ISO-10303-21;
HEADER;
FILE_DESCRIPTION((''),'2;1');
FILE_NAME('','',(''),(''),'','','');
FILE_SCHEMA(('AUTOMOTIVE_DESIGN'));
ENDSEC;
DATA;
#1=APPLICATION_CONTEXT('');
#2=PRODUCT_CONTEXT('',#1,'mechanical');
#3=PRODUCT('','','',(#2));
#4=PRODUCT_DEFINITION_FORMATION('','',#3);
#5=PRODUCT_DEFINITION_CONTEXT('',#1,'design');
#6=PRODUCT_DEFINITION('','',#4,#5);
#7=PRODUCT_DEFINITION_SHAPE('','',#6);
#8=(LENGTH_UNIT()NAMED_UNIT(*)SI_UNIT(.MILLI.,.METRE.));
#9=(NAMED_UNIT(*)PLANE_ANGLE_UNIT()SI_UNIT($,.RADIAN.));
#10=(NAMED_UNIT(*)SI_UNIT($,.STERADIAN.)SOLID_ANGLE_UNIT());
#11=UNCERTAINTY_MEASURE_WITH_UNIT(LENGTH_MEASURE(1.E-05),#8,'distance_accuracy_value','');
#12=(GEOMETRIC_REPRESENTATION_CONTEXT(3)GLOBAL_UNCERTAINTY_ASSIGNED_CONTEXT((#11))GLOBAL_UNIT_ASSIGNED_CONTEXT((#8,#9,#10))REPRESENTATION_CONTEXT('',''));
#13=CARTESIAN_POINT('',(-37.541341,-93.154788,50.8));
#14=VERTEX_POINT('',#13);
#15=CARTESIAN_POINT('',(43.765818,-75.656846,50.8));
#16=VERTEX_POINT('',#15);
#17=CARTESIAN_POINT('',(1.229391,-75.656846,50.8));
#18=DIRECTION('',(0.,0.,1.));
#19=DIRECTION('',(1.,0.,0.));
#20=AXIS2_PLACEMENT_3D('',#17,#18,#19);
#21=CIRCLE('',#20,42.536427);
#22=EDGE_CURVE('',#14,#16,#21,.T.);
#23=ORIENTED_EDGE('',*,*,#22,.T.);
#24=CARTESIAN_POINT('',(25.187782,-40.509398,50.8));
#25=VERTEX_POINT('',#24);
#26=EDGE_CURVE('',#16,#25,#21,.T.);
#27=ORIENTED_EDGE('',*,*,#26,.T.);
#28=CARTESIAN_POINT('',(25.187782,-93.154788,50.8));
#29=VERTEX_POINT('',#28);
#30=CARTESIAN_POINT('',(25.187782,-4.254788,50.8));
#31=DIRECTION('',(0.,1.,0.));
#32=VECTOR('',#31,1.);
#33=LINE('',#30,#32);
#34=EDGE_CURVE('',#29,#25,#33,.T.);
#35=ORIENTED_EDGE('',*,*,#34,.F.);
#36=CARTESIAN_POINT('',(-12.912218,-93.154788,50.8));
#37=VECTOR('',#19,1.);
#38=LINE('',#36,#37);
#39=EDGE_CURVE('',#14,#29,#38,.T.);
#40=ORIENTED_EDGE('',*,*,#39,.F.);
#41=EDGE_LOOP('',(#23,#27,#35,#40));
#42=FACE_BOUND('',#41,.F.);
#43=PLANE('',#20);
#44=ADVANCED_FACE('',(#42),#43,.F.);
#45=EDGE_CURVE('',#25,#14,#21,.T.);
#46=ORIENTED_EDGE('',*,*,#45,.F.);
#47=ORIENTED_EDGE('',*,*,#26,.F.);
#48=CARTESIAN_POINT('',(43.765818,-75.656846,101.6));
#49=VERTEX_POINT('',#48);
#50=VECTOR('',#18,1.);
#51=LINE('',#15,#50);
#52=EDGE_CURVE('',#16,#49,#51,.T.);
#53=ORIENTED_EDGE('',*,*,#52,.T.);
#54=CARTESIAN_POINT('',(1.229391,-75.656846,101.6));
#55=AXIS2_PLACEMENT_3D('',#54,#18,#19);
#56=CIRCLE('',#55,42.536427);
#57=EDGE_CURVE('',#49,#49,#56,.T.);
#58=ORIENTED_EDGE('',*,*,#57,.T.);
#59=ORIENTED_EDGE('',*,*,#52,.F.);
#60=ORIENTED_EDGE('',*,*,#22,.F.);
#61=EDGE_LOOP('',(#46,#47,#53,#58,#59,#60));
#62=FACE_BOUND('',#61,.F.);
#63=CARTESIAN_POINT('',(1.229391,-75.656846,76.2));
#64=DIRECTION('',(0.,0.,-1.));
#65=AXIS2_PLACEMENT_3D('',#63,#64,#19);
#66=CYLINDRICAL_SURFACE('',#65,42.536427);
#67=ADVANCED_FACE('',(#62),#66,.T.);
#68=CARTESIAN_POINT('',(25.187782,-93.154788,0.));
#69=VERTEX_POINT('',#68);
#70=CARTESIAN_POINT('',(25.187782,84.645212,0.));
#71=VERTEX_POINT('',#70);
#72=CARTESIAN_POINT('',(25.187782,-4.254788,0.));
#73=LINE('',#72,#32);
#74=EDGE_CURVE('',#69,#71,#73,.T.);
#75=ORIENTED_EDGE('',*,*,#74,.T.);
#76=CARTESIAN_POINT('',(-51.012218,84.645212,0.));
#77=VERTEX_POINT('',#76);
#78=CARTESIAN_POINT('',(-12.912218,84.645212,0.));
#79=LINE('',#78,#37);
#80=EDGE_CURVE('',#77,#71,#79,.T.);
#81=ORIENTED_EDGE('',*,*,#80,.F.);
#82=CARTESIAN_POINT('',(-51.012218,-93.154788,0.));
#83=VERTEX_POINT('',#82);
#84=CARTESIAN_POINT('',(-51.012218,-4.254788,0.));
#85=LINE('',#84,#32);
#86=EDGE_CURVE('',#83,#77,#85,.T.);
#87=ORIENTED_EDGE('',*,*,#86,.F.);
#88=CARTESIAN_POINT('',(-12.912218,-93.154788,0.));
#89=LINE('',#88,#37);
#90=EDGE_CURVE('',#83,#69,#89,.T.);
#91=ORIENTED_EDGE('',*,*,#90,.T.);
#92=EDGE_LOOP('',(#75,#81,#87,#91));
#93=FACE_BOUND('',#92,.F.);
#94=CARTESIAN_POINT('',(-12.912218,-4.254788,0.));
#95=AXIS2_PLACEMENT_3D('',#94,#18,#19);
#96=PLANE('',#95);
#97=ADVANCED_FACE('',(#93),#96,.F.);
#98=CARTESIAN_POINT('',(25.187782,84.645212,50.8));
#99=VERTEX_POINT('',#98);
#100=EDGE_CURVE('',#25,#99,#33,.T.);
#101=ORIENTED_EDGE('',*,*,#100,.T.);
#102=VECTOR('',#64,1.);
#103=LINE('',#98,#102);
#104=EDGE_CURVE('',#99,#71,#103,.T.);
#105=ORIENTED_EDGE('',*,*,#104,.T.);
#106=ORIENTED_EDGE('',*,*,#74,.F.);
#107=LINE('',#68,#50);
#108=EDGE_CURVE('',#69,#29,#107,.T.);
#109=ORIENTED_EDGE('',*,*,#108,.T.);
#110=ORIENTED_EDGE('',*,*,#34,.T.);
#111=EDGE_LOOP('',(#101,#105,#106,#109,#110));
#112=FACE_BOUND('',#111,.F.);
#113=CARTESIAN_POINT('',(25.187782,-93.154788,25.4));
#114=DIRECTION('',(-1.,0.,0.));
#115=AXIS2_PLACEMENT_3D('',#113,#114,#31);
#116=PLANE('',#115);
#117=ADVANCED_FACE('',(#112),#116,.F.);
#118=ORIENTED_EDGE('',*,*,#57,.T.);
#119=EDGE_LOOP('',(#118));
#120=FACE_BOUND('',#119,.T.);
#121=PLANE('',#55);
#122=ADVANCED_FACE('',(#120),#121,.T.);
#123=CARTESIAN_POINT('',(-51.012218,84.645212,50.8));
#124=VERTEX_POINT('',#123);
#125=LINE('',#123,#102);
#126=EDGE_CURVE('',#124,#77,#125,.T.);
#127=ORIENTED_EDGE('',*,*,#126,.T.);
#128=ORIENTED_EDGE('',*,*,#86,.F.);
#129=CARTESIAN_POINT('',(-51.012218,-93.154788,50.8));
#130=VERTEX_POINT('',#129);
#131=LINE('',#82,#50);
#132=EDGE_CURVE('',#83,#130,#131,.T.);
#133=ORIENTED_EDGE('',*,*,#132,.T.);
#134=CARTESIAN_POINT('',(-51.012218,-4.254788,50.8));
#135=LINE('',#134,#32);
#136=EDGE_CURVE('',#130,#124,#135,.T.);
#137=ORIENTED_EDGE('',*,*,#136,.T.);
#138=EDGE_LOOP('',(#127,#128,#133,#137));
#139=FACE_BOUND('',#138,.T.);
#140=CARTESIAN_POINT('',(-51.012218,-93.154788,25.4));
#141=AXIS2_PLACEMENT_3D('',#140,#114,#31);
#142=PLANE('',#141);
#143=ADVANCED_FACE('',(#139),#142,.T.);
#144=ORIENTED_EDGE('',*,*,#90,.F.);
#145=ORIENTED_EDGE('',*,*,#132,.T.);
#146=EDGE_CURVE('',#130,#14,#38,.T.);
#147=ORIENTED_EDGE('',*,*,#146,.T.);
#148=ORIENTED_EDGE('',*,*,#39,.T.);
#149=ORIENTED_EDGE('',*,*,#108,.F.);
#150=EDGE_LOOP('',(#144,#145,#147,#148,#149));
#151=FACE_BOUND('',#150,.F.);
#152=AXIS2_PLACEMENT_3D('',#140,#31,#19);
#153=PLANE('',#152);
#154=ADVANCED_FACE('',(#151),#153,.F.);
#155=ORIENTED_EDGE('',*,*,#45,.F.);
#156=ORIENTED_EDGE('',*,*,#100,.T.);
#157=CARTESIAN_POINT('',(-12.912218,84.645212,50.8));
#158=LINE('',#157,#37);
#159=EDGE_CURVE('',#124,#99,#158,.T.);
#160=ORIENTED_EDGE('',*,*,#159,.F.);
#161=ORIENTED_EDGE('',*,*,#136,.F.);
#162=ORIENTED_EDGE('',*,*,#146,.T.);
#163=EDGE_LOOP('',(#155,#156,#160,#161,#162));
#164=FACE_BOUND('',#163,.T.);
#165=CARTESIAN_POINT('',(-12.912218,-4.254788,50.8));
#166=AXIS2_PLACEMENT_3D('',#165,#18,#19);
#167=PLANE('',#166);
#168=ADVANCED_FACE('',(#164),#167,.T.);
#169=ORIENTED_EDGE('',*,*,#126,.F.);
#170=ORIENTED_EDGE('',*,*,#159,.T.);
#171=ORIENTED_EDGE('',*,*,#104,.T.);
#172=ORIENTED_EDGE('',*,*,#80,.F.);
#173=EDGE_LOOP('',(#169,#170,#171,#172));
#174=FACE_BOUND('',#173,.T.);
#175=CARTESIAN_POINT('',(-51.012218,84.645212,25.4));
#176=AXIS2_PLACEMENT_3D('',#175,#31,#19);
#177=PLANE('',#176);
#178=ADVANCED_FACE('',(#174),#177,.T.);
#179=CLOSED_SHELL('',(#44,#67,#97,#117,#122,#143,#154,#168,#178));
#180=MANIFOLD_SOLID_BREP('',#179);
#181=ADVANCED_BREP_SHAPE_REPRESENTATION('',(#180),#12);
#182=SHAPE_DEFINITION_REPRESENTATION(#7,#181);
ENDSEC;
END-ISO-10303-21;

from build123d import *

# Parameters (mm, degrees)
F0_W      = 76.2
F0_H      = 177.8
F1_DEPTH  = 25.4
F1_FACE_W = 76.2
F1_FACE_H = 177.8
F2_DEPTH  = 25.4
F4_R      = 42.536427
F5_DEPTH  = 25.4
F5_FACE_R = 42.536427
F6_DEPTH  = 25.4


with BuildPart() as f1:
    # F0 (on Top) → F1 (new body)
    with BuildSketch(Plane.XY):
        with Locations((-12.912218, -4.254788)):
            Rectangle(F0_W, F0_H)
    extrude(amount=F1_DEPTH)

    # F1_face (on face) → F2 (join)
    with BuildSketch(Plane(origin=(-12.912218, -4.254788, 25.4), x_dir=(1, 0, 0), z_dir=(0, 0, 1))):
        Rectangle(F1_FACE_W, F1_FACE_H)
    extrude(amount=F2_DEPTH)

    # F4 (on face) → F5 (join)
    with BuildSketch(Plane.XY.offset(50.8)):
        with Locations((1.229391, -75.656846)):
            Circle(F4_R)
    extrude(amount=F5_DEPTH)

    # F5_face (on face) → F6 (join)
    with BuildSketch(Plane(origin=(1.229391, -75.656846, 76.2), x_dir=(1, 0, 0), z_dir=(0, 0, 1))):
        Circle(F5_FACE_R)
    extrude(amount=F6_DEPTH)


solid = f1.part
